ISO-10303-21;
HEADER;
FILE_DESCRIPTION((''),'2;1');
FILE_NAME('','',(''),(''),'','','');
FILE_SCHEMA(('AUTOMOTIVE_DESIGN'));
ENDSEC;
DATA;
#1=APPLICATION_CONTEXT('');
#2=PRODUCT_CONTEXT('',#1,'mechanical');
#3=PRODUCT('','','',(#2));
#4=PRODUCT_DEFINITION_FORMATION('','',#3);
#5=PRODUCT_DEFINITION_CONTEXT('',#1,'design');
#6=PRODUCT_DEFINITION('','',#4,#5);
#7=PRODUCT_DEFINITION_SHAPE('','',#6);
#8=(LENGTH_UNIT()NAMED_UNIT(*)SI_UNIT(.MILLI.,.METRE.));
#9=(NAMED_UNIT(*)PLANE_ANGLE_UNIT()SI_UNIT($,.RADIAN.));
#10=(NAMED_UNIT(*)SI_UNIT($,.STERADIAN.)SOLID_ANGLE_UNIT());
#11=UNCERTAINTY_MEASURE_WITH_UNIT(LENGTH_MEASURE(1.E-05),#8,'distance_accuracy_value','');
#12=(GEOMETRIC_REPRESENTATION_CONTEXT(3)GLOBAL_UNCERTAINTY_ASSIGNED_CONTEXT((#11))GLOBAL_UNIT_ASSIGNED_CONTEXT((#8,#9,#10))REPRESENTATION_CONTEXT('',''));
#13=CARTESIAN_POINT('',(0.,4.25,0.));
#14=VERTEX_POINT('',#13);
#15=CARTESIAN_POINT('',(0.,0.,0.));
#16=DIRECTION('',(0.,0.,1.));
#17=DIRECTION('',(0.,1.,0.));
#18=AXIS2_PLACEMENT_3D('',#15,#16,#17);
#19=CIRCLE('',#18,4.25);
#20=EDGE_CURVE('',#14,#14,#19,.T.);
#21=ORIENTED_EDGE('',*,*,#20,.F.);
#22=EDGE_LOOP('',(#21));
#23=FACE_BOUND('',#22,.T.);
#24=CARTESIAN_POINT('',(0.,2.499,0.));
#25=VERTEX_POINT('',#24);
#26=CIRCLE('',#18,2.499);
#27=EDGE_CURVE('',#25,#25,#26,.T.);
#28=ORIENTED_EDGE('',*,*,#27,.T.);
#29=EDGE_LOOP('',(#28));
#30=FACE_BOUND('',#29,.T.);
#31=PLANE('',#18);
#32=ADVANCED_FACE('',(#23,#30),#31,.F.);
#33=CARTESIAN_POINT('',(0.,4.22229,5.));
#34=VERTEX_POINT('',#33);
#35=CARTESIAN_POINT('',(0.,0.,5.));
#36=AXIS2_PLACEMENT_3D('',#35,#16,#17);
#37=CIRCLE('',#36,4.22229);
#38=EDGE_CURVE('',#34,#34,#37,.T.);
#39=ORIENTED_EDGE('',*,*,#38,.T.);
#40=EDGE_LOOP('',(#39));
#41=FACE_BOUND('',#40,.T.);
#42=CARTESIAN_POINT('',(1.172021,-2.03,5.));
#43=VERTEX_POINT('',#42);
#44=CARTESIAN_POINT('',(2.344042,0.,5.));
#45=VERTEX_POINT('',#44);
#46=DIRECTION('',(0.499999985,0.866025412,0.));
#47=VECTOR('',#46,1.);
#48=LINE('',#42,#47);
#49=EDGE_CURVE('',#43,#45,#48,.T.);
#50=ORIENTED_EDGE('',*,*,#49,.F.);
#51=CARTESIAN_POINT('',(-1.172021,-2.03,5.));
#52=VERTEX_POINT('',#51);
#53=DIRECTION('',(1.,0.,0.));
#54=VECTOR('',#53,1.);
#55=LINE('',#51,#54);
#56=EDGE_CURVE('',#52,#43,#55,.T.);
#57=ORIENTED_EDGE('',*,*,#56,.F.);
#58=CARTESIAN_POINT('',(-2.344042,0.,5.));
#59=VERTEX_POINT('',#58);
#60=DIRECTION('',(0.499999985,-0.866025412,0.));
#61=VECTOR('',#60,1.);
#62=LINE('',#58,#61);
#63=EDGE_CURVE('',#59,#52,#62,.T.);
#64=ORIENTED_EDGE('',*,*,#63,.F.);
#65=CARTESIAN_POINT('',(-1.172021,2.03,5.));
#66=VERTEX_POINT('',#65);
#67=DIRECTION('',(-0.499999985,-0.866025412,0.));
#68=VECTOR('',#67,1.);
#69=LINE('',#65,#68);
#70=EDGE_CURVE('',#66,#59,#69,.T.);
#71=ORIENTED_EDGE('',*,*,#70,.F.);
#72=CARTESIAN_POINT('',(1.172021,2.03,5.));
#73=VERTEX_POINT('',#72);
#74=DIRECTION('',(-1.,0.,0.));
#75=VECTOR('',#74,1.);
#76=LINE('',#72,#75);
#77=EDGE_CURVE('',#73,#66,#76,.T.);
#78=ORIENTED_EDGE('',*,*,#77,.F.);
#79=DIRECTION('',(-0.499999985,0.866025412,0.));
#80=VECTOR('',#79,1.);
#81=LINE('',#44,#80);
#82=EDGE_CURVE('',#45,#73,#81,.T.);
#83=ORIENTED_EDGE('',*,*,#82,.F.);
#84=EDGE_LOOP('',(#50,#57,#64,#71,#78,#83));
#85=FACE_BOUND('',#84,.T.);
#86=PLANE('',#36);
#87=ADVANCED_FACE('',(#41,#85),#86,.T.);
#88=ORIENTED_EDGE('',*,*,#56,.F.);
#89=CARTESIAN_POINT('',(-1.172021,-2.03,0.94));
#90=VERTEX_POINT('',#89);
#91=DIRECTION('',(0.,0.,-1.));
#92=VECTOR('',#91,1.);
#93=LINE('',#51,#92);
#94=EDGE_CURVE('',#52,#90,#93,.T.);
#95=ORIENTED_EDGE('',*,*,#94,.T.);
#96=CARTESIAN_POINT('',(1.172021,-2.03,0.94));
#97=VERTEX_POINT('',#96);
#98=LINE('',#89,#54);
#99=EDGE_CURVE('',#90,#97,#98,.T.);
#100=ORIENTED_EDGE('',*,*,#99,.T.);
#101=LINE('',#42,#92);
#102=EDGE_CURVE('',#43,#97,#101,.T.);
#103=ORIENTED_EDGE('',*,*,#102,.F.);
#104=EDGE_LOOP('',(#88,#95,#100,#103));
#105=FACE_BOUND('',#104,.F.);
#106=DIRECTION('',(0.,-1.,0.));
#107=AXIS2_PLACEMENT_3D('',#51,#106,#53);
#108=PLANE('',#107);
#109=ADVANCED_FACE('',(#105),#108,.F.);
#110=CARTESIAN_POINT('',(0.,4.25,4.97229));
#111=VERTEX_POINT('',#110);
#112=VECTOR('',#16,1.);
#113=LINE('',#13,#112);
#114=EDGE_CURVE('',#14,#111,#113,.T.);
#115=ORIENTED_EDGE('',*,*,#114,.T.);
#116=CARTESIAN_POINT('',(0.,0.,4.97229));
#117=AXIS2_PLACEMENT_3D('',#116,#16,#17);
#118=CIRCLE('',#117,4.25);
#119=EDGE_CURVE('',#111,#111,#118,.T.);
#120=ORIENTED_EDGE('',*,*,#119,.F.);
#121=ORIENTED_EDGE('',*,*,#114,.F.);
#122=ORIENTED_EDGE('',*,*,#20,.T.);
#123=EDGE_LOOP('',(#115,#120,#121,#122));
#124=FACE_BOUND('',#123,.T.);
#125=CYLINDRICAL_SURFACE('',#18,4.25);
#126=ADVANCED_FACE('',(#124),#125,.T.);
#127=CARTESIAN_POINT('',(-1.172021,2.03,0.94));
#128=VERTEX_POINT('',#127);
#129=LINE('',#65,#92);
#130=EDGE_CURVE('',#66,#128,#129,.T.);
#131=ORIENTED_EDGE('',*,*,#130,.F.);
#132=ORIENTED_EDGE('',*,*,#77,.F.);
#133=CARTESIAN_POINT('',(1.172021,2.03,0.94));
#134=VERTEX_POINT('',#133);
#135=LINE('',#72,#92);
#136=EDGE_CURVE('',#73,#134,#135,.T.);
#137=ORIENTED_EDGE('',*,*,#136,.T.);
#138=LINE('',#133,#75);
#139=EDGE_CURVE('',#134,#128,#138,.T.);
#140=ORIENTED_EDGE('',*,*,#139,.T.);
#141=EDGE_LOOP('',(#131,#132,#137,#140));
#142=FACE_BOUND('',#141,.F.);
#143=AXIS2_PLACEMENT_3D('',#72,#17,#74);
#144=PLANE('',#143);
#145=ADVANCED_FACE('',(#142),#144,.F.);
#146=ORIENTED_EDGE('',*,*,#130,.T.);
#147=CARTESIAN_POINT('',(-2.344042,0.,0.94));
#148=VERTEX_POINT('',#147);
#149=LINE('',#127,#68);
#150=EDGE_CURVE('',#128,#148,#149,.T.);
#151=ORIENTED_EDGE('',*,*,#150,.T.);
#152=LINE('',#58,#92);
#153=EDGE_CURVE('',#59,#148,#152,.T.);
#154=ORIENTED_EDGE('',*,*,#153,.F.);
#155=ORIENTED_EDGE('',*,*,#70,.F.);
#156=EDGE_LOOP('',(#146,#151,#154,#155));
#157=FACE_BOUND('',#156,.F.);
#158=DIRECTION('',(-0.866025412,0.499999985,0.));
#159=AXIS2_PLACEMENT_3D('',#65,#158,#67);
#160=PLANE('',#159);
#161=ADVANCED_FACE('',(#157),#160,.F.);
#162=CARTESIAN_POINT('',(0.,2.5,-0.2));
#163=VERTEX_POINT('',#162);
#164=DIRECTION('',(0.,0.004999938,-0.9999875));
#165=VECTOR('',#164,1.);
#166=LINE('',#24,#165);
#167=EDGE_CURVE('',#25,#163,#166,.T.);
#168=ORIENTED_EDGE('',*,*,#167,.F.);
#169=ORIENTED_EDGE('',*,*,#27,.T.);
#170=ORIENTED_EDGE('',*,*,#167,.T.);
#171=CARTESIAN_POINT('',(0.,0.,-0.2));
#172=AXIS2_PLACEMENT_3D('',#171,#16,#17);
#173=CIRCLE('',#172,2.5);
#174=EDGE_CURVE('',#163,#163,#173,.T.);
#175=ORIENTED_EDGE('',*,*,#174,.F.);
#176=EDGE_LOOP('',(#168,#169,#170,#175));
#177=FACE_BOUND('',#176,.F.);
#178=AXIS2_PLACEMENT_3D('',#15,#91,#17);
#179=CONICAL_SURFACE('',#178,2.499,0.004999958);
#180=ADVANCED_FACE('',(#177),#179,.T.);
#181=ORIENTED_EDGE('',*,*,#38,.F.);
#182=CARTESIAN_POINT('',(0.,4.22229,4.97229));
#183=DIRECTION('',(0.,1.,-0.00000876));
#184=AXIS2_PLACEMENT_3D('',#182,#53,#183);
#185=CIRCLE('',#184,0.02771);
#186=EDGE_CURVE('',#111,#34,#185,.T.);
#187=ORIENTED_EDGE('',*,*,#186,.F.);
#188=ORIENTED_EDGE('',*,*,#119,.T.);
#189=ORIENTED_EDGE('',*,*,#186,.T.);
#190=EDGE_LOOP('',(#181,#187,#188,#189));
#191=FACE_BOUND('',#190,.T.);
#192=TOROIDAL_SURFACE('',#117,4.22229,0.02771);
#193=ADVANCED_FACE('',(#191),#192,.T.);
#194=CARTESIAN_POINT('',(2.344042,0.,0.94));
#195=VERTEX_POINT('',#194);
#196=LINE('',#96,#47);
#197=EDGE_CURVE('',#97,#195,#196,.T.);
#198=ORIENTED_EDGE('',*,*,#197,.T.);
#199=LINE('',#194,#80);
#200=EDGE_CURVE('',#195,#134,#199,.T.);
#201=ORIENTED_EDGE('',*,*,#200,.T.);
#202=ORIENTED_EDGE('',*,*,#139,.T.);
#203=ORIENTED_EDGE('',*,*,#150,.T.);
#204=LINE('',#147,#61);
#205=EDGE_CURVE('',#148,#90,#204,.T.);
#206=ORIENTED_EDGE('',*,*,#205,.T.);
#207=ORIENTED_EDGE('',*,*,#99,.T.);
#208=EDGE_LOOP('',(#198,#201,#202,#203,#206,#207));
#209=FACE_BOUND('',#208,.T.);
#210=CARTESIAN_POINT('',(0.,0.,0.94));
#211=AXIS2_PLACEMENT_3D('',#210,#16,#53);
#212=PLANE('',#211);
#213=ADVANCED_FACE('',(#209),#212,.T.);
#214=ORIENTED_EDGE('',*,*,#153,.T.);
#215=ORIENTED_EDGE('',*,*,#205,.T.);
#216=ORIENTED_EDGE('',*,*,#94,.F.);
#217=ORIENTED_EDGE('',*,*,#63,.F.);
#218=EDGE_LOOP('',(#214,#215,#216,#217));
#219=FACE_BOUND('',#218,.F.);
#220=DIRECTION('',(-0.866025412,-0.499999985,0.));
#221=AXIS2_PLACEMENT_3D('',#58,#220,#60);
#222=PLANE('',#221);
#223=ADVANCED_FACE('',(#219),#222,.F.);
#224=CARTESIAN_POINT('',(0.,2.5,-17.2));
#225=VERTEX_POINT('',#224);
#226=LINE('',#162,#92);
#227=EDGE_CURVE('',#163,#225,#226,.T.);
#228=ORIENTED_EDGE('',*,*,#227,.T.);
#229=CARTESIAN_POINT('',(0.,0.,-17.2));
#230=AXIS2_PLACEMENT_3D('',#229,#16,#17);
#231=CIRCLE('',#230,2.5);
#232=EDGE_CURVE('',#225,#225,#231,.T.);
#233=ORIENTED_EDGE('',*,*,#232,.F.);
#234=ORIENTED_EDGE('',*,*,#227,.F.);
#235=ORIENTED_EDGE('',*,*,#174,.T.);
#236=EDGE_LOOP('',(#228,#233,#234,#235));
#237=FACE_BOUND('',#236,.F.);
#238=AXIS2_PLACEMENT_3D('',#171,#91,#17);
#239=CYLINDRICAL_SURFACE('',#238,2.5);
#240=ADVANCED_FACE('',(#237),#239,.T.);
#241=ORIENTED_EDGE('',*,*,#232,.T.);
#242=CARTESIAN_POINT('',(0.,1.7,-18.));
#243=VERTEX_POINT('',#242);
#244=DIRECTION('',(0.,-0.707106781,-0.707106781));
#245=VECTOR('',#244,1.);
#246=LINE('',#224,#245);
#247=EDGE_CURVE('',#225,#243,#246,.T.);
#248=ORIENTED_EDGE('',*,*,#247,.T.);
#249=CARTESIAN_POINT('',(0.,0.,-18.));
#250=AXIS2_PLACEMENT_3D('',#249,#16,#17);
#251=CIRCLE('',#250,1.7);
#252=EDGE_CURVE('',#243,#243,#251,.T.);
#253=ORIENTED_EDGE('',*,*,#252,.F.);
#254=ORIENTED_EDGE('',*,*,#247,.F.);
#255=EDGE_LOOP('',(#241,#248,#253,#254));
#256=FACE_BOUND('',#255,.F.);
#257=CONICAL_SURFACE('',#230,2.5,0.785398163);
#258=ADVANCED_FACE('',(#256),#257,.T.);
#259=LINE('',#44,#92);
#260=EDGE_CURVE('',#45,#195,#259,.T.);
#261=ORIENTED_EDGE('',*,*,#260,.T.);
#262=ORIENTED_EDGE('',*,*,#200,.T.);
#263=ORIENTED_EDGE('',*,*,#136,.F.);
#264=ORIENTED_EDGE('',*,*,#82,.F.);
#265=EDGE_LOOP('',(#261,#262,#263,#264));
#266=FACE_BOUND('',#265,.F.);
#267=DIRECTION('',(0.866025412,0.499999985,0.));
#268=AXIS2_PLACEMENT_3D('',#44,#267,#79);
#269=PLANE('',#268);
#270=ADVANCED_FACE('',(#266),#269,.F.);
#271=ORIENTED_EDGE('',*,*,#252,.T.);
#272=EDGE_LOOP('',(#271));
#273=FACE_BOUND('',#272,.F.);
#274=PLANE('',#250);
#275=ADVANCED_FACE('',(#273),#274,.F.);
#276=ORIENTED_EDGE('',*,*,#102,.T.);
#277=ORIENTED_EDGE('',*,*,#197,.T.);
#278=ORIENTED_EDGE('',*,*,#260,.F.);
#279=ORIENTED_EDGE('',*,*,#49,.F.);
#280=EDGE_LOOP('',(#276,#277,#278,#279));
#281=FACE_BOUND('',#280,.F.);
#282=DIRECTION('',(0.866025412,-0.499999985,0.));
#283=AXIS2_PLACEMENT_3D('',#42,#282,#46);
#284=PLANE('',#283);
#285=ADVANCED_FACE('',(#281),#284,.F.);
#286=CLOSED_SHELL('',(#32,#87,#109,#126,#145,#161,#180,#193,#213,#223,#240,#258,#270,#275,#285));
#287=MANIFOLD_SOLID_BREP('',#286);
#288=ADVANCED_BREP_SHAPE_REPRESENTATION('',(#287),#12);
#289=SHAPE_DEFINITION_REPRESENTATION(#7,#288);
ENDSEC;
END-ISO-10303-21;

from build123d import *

# Parameters (mm, degrees)
POCKET_DEPTH = 4.06


with BuildPart() as part:
    # Sketch → Revolve (revolve)
    with BuildSketch(Plane.YZ):
        with BuildLine():
            Line((2.499, 0), (4.25, 0))
            Line((4.25, 0), (4.25, 4.97229))
            ThreePointArc((4.25, 4.97229), (4.241884, 4.991884), (4.22229, 5))
            Line((4.22229, 5), (0, 5))
            Line((0, -18), (0, 5))
            Line((1.7, -18), (0, -18))
            Line((2.5, -17.2), (1.7, -18))
            Line((2.5, -0.2), (2.5, -17.2))
            Line((2.499, 0), (2.5, -0.2))
        make_face()
    revolve(axis=Axis((0, 0, 0), (0, 0, 1)))

    # Sketch001 → Pocket (cut)
    with BuildSketch(Plane.XY.offset(5)):
        Polygon((2.344042, 0), (1.172021, 2.03), (-1.172021, 2.03), (-2.344042, 0), (-1.172021, -2.03), (1.172021, -2.03), align=None)
    extrude(amount=-POCKET_DEPTH, mode=Mode.SUBTRACT)


solid = part.part
